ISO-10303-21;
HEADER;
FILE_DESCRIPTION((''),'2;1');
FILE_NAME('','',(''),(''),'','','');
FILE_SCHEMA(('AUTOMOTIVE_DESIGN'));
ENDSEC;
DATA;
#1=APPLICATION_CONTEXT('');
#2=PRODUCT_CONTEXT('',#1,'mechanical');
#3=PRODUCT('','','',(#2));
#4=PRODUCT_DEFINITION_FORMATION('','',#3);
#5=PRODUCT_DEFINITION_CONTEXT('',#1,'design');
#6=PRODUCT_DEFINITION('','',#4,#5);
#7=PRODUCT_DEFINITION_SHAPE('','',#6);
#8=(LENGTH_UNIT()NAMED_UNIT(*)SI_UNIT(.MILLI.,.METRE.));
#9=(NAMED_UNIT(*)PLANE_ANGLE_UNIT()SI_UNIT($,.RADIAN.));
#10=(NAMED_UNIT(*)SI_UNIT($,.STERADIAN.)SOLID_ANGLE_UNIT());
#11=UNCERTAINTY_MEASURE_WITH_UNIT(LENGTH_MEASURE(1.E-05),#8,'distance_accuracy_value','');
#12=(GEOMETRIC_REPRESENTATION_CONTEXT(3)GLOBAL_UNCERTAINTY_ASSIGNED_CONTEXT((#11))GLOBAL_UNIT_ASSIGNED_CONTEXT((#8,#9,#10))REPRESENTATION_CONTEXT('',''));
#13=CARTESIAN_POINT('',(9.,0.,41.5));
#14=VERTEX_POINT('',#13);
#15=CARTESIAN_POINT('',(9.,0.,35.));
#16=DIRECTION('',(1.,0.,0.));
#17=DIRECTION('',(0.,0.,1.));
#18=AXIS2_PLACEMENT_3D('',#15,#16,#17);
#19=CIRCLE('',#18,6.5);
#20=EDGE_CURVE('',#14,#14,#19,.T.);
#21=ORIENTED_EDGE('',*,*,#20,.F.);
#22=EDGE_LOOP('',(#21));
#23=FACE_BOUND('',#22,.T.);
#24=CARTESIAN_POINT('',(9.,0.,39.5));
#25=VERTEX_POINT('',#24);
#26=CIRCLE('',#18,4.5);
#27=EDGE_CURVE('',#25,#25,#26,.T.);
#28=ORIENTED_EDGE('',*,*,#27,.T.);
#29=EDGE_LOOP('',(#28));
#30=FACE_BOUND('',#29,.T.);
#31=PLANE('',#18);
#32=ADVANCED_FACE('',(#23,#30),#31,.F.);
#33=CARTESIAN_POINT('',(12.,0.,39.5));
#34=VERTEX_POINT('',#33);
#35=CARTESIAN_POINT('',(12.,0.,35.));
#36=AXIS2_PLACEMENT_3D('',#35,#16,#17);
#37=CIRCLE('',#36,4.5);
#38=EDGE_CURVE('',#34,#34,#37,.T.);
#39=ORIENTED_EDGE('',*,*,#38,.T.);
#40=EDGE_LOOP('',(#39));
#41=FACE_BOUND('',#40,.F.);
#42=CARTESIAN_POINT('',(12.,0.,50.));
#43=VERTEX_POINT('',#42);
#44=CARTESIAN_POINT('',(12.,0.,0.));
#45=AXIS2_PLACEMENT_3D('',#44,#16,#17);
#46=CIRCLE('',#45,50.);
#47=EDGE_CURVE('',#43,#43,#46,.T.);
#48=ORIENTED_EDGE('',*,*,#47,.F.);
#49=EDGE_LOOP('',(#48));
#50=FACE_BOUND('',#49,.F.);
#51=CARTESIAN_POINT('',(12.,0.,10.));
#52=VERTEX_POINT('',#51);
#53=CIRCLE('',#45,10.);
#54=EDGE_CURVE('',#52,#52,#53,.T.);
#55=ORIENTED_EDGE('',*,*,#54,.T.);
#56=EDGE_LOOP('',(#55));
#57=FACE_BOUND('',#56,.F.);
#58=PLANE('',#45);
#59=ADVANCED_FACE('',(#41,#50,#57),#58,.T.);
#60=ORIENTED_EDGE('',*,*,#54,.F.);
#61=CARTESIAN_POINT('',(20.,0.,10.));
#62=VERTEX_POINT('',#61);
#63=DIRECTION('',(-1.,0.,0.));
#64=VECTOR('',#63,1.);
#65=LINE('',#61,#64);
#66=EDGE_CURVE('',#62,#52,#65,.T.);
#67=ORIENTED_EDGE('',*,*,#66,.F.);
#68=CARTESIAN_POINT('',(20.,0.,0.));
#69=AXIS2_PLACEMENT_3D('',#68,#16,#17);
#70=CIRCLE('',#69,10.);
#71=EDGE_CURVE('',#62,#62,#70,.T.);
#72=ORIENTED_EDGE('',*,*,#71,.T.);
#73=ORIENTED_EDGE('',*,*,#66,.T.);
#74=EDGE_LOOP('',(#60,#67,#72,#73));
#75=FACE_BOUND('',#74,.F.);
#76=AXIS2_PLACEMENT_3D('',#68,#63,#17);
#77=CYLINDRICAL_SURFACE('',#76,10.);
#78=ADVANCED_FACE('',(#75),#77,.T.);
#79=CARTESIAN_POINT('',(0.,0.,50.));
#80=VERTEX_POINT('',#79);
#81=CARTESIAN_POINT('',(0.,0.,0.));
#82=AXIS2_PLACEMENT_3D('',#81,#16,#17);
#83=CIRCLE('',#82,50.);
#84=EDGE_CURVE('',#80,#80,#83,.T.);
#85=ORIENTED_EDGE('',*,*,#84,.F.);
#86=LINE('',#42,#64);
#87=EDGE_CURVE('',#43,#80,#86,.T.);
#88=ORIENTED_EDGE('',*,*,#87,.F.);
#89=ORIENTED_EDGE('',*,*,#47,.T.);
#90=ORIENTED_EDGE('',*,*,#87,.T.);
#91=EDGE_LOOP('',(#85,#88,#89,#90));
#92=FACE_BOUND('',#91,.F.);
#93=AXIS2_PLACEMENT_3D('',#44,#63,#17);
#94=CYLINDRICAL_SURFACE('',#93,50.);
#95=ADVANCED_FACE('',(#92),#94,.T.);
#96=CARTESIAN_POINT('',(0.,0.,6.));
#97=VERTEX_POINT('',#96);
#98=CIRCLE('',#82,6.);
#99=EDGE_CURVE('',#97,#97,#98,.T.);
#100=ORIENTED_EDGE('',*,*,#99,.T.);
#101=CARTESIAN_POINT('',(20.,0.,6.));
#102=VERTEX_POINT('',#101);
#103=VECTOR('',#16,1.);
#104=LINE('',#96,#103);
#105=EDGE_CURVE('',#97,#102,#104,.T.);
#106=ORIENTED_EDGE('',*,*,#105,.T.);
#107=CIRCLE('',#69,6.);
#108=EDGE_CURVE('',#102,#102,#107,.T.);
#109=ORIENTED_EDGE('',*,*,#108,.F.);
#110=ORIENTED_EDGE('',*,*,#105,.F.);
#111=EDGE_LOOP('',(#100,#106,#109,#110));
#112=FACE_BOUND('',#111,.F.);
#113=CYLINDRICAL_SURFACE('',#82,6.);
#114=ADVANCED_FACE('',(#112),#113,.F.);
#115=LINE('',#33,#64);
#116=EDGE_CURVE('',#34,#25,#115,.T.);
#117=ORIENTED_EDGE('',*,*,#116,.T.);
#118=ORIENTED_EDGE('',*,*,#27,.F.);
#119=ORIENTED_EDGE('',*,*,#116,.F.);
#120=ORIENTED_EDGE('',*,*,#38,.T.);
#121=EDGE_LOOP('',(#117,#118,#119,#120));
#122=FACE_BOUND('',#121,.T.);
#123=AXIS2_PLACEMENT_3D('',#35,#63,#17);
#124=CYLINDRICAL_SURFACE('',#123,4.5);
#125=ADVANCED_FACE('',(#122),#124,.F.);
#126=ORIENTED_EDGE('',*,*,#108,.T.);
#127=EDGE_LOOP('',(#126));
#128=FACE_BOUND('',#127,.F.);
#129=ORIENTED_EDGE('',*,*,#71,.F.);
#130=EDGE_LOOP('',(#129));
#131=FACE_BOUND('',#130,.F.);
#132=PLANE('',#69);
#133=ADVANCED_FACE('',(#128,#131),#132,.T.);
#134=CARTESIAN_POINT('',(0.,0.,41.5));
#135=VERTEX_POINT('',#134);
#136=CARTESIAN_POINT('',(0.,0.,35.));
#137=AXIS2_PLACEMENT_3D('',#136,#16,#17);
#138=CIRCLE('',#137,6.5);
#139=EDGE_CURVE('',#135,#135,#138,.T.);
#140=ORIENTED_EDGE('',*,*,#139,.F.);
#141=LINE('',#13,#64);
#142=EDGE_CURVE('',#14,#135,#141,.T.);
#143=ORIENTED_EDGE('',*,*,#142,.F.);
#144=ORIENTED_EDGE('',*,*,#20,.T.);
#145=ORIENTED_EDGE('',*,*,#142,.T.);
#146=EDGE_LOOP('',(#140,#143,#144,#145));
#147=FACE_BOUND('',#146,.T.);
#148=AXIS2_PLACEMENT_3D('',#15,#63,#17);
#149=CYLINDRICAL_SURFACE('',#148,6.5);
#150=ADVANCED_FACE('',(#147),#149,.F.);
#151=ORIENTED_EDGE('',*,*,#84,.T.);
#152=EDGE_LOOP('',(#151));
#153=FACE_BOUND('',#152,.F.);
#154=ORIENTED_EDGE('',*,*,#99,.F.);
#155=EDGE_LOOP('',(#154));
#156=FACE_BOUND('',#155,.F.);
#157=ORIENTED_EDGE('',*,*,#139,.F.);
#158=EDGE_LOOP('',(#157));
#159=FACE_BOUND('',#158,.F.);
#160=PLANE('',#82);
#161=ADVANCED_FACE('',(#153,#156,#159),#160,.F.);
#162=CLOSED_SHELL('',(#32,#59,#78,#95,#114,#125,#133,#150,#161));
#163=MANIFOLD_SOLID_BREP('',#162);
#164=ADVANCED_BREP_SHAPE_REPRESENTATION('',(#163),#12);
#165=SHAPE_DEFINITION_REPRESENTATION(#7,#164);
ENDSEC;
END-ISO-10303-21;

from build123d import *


with BuildPart() as f1:
    # F0 (on Front) → F1 (revolve)
    with BuildSketch(Plane.XZ):
        Polygon((0, 50), (0, 41.5), (9, 41.5), (9, 39.5), (12, 39.5), (12, 50), align=None)
        Polygon((0, 6), (20, 6), (20, 10), (12, 10), (12, 30.5), (9, 30.5), (9, 28.5), (0, 28.5), align=None)
        Polygon((0, 41.5), (0, 35), (12, 35), (12, 39.5), (9, 39.5), (9, 41.5), align=None)
        Polygon((0, 35), (0, 28.5), (9, 28.5), (9, 30.5), (12, 30.5), (12, 35), align=None)
    revolve(axis=Axis((10, 0, 0), (1, 0, 0)))

    # F0 (on Front) → F2 (revolve, cut)
    with BuildSketch(Plane.XZ):
        Polygon((0, 41.5), (0, 35), (12, 35), (12, 39.5), (9, 39.5), (9, 41.5), align=None)
    revolve(axis=Axis((6, 0, 35), (1, 0, 0)), mode=Mode.SUBTRACT)


solid = f1.part
